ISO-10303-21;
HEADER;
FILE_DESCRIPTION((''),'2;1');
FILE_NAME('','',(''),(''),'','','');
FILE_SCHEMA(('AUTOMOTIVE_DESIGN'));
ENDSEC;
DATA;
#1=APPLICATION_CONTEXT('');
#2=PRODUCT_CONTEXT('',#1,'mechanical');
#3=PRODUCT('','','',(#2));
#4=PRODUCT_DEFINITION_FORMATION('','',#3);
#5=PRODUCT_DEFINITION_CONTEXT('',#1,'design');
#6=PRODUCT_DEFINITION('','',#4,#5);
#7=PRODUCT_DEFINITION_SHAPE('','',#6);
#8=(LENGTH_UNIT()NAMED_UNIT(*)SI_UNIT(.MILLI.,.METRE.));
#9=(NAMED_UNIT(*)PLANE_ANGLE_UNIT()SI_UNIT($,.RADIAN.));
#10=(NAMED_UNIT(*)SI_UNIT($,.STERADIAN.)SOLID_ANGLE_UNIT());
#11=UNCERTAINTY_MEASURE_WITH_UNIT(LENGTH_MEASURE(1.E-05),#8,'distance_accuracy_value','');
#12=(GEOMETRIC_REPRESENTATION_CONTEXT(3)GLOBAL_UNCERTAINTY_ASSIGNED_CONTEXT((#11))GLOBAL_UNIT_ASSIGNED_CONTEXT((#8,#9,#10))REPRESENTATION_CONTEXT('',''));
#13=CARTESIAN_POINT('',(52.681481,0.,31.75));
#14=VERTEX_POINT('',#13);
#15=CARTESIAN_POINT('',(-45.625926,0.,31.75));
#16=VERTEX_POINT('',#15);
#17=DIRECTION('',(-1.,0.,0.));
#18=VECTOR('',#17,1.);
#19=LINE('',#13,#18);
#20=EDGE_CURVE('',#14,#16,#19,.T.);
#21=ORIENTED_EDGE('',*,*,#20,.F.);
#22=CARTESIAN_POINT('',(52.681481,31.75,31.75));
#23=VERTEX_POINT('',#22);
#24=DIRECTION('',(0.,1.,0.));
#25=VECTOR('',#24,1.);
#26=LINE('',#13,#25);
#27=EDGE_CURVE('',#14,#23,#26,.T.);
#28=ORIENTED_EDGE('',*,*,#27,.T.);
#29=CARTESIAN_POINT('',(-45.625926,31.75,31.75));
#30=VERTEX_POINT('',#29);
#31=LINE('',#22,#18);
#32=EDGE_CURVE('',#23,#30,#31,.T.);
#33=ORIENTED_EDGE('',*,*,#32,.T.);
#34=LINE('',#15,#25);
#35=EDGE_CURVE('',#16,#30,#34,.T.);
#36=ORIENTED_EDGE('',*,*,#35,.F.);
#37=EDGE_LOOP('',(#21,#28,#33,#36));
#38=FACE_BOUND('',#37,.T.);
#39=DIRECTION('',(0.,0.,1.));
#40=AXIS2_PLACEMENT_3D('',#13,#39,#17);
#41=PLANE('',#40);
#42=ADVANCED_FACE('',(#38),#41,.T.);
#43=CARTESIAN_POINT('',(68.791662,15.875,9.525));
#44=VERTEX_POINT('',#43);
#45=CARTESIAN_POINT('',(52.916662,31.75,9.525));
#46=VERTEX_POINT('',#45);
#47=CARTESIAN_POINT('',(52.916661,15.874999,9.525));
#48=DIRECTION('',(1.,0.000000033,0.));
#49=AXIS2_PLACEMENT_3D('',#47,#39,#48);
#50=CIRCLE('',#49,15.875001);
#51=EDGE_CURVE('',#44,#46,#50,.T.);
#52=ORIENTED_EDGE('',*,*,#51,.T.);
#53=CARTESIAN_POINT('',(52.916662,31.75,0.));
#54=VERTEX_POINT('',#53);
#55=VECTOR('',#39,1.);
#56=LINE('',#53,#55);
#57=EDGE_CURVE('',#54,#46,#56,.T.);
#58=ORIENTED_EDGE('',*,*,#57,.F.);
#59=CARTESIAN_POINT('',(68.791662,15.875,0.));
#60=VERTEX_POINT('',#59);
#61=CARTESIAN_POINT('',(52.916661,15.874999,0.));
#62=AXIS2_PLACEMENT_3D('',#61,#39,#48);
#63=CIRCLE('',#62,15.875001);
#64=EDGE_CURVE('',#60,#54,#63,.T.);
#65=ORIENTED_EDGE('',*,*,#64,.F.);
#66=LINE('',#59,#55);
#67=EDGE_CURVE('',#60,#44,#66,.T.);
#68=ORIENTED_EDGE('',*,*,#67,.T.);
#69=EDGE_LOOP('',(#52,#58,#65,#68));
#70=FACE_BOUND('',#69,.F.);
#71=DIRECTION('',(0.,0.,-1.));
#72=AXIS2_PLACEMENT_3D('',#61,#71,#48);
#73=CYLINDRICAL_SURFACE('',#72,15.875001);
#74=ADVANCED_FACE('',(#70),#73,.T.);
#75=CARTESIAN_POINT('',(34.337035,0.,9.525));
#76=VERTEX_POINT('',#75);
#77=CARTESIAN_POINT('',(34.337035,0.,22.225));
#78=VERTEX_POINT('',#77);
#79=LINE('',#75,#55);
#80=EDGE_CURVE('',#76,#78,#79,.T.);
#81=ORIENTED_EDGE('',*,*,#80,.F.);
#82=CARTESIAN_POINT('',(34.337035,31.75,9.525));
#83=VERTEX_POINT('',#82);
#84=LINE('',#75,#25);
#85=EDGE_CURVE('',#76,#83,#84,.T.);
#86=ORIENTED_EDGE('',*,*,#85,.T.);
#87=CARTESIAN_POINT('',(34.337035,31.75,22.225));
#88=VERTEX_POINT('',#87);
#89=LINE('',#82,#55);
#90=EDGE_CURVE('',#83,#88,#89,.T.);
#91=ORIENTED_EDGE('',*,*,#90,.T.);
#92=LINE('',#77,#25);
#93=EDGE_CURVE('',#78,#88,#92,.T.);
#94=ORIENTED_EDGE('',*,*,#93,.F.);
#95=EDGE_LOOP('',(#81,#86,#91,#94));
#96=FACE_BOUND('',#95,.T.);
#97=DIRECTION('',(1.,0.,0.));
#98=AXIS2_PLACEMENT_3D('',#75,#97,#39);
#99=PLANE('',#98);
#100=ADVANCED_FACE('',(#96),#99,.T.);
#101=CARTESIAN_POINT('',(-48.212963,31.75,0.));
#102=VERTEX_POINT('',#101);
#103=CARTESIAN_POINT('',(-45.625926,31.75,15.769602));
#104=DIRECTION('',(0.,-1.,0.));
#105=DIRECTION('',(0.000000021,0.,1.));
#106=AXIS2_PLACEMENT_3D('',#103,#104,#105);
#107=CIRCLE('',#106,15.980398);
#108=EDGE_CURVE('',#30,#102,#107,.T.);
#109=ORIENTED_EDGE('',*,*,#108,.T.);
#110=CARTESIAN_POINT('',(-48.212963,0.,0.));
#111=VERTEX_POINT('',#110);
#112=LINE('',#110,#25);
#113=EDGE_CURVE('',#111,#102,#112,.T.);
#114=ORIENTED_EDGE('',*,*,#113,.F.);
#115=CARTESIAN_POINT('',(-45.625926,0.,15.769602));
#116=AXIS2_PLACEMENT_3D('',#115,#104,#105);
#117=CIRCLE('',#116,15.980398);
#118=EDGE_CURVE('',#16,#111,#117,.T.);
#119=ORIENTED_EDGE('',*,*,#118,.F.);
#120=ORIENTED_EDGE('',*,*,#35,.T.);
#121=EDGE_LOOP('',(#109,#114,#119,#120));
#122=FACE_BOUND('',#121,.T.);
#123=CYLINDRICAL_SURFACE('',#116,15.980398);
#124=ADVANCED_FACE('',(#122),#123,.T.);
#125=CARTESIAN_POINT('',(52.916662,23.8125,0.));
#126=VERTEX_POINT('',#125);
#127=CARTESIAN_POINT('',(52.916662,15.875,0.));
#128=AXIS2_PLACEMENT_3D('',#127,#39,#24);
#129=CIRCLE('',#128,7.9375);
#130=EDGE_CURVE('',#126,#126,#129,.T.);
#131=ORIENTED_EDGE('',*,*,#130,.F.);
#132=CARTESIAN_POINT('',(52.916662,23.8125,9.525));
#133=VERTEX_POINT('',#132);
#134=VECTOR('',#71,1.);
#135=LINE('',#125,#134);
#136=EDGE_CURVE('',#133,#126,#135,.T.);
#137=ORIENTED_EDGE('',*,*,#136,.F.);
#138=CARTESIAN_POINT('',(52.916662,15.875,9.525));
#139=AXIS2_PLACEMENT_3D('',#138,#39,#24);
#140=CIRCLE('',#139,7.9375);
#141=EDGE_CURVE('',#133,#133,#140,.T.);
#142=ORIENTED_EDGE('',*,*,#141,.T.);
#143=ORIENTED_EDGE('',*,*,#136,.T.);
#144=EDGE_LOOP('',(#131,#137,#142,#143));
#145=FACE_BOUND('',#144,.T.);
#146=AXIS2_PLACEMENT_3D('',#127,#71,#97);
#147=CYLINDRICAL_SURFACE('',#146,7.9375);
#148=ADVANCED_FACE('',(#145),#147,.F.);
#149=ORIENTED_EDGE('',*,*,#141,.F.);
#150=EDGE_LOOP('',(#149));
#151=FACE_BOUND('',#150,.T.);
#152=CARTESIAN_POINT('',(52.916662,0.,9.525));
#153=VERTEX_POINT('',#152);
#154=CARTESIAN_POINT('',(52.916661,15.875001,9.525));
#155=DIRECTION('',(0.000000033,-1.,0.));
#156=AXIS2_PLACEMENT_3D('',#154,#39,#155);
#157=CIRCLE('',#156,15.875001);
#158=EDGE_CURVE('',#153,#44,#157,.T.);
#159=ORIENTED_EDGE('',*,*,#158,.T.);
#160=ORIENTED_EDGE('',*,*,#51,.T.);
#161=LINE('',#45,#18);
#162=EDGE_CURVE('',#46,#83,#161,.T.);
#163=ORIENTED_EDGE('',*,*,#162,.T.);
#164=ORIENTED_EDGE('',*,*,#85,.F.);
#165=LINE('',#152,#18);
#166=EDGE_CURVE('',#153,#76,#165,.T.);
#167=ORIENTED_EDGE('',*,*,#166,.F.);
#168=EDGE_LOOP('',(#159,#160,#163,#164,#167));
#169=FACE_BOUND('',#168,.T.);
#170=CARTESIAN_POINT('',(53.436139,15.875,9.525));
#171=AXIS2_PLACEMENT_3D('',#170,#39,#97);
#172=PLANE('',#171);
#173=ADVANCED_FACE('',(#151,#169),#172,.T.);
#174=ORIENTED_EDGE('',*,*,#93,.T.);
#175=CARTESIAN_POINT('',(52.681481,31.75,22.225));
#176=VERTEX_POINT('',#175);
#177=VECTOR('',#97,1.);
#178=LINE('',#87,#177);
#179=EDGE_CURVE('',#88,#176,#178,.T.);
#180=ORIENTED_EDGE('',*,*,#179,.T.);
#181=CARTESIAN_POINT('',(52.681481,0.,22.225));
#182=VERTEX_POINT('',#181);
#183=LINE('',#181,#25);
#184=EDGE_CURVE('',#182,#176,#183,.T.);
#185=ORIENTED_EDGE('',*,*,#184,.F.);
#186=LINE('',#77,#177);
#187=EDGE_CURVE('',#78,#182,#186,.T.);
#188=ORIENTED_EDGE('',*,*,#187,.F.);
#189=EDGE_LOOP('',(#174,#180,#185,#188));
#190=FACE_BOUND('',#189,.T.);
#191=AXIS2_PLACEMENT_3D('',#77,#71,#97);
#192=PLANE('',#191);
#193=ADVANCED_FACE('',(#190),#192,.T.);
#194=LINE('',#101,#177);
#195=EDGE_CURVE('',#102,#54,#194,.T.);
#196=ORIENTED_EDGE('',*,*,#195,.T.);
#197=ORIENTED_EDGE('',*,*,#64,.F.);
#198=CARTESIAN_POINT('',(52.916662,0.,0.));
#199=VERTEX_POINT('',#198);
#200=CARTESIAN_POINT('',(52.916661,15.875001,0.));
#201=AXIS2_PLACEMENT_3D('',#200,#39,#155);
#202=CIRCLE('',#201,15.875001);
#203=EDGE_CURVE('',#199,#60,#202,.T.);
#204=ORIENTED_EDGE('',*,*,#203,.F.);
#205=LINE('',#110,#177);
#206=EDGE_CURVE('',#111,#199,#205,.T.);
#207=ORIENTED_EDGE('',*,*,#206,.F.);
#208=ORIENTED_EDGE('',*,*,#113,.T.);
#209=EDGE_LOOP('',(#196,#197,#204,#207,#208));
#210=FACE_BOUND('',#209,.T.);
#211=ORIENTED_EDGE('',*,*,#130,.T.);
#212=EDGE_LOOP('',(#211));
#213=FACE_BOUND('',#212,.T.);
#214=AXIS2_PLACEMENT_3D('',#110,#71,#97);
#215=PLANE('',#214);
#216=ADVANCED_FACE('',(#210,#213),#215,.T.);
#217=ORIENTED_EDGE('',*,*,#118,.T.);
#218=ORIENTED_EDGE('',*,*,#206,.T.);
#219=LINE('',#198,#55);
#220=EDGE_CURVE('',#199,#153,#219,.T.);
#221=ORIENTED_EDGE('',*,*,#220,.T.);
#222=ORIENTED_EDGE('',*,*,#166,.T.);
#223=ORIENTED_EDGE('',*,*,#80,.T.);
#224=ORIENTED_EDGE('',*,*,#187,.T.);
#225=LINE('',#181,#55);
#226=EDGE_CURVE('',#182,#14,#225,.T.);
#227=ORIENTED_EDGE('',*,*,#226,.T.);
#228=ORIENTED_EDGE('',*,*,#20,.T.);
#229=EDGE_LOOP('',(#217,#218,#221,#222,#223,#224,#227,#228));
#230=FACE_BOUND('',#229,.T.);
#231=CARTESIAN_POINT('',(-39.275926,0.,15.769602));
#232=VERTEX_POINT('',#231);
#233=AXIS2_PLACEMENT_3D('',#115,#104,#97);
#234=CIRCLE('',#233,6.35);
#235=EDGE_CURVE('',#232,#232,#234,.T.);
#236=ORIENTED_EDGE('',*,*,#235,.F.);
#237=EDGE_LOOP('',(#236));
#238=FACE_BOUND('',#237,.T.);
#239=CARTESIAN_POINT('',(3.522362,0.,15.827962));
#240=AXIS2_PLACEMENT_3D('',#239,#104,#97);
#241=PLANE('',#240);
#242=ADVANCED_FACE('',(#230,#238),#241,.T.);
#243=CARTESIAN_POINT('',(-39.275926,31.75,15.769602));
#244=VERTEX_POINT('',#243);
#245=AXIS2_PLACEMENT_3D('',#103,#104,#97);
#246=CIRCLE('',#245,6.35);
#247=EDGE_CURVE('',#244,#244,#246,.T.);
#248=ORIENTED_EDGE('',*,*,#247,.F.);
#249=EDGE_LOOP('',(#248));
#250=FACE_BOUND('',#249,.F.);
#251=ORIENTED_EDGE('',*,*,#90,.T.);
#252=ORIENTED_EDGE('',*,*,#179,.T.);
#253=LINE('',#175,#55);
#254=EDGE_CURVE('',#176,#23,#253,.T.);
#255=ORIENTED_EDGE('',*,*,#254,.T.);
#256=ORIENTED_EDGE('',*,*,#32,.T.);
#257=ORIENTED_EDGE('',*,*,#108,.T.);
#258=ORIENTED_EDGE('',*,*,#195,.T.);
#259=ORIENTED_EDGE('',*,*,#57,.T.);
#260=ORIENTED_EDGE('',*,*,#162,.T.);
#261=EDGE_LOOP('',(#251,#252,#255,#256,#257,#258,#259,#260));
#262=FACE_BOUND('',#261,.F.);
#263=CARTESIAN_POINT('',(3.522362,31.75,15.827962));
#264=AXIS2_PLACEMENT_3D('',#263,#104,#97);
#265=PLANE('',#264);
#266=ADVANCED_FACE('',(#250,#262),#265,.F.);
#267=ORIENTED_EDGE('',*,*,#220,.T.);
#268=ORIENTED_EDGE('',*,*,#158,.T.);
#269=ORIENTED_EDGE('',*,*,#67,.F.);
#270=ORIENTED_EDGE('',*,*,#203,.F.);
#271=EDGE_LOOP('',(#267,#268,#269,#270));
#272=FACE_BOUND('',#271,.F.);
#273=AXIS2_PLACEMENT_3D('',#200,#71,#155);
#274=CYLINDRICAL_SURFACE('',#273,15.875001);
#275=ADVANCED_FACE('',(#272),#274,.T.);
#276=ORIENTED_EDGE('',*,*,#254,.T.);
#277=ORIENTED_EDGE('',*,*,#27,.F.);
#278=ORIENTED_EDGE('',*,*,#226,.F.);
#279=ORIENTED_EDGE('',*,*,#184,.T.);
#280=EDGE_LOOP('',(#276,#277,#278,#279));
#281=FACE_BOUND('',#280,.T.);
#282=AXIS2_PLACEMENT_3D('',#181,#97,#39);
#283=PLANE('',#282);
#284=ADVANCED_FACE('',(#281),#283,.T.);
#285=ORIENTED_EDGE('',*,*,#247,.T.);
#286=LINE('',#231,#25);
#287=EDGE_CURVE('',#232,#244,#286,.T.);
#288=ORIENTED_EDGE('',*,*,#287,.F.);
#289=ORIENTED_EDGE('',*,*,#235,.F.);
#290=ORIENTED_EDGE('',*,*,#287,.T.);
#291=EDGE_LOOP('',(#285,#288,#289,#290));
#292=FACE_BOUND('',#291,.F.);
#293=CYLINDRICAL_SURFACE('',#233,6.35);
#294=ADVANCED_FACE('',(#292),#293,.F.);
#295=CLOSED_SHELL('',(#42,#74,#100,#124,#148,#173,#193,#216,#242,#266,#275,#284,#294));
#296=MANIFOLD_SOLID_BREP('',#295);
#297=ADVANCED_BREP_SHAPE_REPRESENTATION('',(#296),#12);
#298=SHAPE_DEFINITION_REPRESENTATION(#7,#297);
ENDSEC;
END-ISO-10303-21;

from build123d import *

# Parameters (mm, degrees)
F0_R     = 6.35
F1_DEPTH = 31.75
F2_R     = 7.9375
F3_DEPTH = 9.525
F4_DEPTH = 9.525


with BuildPart() as f1:
    # F0 (on Front) → F1 (new body)
    with BuildSketch(Plane.XZ):
        with BuildLine():
            ThreePointArc((-45.625926, 31.75), (-61.553538, 17.067408), (-48.212963, 0))
            Line((-48.212963, 0), (52.916662, 0))
            Line((52.916662, 0), (52.916662, 9.525))
            Line((52.916662, 9.525), (34.337035, 9.525))
            Line((34.337035, 9.525), (34.337035, 22.225))
            Line((34.337035, 22.225), (52.681481, 22.225))
            Line((52.681481, 22.225), (52.681481, 31.75))
            Line((52.681481, 31.75), (-45.625926, 31.75))
        make_face()
        with Locations((-45.625926, 15.769602)):
            Circle(F0_R, mode=Mode.SUBTRACT)
    extrude(amount=-F1_DEPTH)

    # F2 (on Top) → F3 (join, through all)
    with BuildSketch(Plane.XY):
        with BuildLine():
            ThreePointArc((52.916662, 31.75), (37.041662, 15.875), (52.916662, 0))
            ThreePointArc((52.916662, 0), (64.141982, 4.64968), (68.791662, 15.875))
            ThreePointArc((68.791662, 15.875), (64.141982, 27.10032), (52.916662, 31.75))
        make_face()
        with Locations((52.916662, 15.875)):
            Circle(F2_R, mode=Mode.SUBTRACT)
    extrude(amount=F3_DEPTH)

    # F2 (on Top) → F4 (cut, through all)
    with BuildSketch(Plane.XY):
        with Locations((52.916662, 15.875)):
            Circle(F2_R)
    extrude(amount=F4_DEPTH, mode=Mode.SUBTRACT)


solid = f1.part
